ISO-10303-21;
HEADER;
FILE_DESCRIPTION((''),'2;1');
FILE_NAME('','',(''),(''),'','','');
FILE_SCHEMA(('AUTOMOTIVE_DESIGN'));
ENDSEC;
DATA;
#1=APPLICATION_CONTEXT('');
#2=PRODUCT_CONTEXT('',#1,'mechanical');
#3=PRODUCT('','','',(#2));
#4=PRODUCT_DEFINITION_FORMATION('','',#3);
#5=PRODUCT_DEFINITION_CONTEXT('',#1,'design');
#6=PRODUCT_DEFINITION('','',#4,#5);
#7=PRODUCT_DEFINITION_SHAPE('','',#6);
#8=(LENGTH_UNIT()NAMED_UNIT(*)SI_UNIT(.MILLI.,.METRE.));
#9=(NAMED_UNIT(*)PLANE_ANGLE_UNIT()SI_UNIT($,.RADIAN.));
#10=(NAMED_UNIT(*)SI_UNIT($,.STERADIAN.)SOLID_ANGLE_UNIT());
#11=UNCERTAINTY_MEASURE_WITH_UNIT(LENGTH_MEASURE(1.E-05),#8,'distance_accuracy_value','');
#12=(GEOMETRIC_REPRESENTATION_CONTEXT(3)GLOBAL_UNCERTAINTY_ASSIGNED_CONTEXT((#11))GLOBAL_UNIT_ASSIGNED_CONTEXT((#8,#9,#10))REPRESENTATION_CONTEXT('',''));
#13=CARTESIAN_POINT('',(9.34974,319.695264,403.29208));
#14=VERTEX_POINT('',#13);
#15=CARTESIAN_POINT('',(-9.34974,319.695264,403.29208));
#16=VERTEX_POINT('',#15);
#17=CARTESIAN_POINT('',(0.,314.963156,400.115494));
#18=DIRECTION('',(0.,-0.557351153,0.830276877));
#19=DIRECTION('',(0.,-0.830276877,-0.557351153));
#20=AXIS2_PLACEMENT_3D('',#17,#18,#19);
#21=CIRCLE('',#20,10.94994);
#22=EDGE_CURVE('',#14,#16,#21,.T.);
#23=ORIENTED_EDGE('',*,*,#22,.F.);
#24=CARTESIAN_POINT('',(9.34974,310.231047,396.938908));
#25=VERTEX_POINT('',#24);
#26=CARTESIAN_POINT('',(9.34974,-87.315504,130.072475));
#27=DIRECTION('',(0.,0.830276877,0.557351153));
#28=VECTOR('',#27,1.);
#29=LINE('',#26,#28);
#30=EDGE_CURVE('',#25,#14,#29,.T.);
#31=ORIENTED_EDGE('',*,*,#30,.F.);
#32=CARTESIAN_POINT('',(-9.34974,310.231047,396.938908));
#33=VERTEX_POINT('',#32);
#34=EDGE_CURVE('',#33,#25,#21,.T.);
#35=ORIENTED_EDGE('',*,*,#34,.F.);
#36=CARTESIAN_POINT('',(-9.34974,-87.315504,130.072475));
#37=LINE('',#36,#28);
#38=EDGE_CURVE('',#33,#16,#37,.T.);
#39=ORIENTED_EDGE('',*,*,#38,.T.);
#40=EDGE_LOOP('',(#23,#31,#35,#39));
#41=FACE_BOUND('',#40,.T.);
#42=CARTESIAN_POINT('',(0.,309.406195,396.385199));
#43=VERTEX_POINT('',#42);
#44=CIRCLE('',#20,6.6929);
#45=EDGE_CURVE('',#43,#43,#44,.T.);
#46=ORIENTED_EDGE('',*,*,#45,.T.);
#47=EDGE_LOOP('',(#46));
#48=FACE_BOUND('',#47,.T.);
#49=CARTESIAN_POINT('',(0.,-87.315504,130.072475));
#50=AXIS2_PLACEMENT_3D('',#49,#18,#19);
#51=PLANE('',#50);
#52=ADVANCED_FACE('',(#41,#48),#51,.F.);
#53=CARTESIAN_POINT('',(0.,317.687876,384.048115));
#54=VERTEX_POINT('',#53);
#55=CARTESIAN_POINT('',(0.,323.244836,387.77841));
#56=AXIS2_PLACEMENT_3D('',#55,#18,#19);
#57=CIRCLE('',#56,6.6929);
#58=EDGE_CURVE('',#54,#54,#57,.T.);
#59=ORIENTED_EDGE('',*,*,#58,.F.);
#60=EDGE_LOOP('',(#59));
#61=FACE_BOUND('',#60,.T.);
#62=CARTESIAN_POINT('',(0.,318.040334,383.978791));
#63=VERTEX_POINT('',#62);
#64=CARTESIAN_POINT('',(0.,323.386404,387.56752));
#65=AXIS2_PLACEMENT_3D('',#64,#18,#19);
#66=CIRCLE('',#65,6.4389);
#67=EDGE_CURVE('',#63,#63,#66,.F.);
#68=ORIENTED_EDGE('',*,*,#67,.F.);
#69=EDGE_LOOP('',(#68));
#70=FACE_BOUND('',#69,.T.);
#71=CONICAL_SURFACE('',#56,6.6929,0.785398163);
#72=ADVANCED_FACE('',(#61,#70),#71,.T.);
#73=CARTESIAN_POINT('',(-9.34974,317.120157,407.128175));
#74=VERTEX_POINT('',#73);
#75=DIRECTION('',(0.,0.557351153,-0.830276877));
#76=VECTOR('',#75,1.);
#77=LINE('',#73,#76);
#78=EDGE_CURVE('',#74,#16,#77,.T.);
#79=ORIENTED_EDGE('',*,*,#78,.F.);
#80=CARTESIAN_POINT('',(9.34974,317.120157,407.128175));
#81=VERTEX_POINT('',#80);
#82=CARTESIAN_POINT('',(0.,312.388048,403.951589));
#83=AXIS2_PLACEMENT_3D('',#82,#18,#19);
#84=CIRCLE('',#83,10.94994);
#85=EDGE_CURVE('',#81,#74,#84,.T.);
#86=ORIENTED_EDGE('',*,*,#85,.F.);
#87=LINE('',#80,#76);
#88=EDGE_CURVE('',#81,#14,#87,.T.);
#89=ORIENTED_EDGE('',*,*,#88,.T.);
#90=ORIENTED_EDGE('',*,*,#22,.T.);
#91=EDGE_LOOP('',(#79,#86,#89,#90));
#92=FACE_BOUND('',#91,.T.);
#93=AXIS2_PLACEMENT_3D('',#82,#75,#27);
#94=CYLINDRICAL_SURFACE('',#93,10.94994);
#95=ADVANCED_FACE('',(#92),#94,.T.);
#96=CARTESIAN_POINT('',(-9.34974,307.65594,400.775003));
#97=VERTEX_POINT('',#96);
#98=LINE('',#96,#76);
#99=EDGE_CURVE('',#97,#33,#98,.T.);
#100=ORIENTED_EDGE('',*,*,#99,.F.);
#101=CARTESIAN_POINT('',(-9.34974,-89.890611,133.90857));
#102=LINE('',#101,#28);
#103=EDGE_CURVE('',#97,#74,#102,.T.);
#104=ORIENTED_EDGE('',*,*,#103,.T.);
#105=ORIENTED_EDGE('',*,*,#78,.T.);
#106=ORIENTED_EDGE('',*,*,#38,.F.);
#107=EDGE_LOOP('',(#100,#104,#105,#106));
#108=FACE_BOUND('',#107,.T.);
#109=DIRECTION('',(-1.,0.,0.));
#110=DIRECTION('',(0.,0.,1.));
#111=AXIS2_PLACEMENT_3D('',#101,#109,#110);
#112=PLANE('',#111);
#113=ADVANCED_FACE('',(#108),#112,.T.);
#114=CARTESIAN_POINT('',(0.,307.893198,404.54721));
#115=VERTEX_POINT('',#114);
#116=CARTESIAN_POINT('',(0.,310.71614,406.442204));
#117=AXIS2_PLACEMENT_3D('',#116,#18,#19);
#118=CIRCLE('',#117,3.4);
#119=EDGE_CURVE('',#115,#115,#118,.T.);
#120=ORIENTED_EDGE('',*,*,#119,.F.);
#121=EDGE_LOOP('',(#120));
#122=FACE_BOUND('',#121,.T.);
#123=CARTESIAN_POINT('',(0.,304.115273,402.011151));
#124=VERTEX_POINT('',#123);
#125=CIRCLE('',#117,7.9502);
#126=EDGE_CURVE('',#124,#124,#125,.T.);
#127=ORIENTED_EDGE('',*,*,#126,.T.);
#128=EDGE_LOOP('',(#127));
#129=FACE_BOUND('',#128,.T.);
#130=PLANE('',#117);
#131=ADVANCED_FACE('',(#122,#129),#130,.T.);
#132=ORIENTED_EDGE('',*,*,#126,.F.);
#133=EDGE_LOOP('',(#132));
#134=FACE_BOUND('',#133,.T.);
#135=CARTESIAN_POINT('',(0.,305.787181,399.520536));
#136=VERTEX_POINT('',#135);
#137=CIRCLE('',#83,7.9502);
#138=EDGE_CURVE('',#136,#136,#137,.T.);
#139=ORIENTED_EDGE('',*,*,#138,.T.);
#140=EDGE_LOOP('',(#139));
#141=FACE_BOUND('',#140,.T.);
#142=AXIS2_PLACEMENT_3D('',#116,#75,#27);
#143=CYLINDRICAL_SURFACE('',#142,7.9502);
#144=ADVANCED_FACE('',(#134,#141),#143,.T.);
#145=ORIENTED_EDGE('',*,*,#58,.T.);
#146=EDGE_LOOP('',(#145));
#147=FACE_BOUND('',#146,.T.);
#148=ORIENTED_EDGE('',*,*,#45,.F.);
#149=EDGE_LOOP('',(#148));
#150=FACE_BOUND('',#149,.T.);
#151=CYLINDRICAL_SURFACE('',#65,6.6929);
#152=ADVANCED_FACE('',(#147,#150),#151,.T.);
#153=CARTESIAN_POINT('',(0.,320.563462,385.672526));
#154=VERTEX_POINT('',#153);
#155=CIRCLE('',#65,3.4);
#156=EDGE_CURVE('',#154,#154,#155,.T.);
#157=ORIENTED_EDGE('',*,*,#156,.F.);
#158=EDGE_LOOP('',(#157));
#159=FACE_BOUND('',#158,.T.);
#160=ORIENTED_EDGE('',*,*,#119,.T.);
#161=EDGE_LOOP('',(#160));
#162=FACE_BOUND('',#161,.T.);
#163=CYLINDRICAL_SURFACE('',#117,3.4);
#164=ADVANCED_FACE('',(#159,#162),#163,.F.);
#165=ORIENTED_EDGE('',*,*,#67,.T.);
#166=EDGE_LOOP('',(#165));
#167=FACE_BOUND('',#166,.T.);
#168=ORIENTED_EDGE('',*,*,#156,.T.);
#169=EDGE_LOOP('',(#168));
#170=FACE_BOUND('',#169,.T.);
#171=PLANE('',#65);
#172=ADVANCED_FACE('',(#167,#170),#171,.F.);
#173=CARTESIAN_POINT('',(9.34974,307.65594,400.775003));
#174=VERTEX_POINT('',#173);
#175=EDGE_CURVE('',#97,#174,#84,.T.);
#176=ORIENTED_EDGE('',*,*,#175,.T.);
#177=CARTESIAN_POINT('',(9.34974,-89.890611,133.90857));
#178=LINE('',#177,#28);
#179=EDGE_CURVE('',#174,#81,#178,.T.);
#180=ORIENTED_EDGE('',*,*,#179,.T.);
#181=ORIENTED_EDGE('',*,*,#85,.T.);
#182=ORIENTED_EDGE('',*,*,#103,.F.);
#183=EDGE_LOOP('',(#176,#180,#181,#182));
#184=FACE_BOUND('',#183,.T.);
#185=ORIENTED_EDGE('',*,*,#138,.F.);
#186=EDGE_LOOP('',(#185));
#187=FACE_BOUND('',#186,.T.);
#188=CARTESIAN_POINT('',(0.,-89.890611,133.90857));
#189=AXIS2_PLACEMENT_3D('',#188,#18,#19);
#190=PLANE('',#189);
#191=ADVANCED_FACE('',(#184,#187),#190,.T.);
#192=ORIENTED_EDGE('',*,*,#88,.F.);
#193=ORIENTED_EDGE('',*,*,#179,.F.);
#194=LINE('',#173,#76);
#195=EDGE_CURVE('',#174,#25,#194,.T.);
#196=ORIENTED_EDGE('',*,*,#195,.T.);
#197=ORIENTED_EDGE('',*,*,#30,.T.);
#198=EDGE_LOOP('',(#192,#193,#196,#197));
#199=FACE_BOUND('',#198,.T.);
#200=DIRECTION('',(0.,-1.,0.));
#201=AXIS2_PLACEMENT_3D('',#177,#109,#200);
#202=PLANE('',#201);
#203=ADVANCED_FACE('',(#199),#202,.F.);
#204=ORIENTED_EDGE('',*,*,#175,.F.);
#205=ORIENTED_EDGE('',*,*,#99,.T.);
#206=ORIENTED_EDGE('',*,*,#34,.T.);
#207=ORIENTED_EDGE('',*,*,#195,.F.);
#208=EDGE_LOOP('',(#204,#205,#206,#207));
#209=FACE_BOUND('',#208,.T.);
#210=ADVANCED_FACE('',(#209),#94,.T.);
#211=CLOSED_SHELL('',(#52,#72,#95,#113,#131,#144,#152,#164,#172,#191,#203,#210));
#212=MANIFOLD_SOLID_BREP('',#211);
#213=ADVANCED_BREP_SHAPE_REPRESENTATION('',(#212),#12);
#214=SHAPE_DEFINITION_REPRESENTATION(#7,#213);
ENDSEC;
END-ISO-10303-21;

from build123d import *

# Parameters (mm, degrees)
SKETCH2_R              = 6.6929
BOSS_EXTRUDE1_DEPTH    = 15.113
SKETCH3_R              = 6.6929
BOSS_EXTRUDE2_DEPTH    = 4.62026
SKETCH4_R              = 7.9502
BOSS_EXTRUDE3_DEPTH    = 2.99974
M8X1_25_TAPPED_HOLE1_D = 6.8
CHAMFER2_SIZE          = 0.254


with BuildPart() as part:
    # Sketch2 → Boss-Extrude1 (new body)
    with BuildSketch(Plane(origin=(0, -87.315503791, 130.072474606), x_dir=(1, 0, 0), z_dir=(0, -0.557351153, 0.830276877))):
        with Locations((0, 484.511457201)):
            Circle(SKETCH2_R)
    extrude(amount=-BOSS_EXTRUDE1_DEPTH)

    # Sketch3 → Boss-Extrude2 (add)
    with BuildSketch(Plane(origin=(0, -87.315503791, 130.072474606), x_dir=(1, 0, 0), z_dir=(0, -0.557351153, 0.830276877))):
        with BuildLine():
            Line((-9.34974, 478.812023199), (-9.34974, 490.210891202))
            ThreePointArc((-9.34974, 490.210891202), (0, 495.461397201), (9.34974, 490.210891202))
            Line((9.34974, 490.210891202), (9.34974, 478.812023199))
            ThreePointArc((9.34974, 478.812023199), (0, 473.561517201), (-9.34974, 478.812023199))
        make_face()
        with Locations((0, 484.511457201)):
            Circle(SKETCH3_R, mode=Mode.SUBTRACT)
        with Locations((0, 484.511457201)):
            Circle(SKETCH3_R)
    extrude(amount=BOSS_EXTRUDE2_DEPTH)

    # Sketch4 → Boss-Extrude3 (add)
    with BuildSketch(Plane(origin=(0, -89.890611031, 133.908569648), x_dir=(1, 0, 0), z_dir=(0, -0.557351153, 0.830276877))):
        with Locations((0, 484.511457201)):
            Circle(SKETCH4_R)
    extrude(amount=BOSS_EXTRUDE3_DEPTH)

    # M8x1.25 Tapped Hole1 (through all)
    with Locations(Plane(origin=(0, -91.56251958, 136.399184405), x_dir=(1, 0, 0), z_dir=(0, -0.557351153, 0.830276877))):
        with Locations((0, 484.511457201)):
            Hole(M8X1_25_TAPPED_HOLE1_D / 2)

    # Chamfer2
    chamfer2_edges = [part.edges().sort_by_distance(p)[0] for p in [
        (-6.6929, 323.386403518, 387.567519724),
    ]]
    chamfer(chamfer2_edges, length=CHAMFER2_SIZE)


solid = part.part
